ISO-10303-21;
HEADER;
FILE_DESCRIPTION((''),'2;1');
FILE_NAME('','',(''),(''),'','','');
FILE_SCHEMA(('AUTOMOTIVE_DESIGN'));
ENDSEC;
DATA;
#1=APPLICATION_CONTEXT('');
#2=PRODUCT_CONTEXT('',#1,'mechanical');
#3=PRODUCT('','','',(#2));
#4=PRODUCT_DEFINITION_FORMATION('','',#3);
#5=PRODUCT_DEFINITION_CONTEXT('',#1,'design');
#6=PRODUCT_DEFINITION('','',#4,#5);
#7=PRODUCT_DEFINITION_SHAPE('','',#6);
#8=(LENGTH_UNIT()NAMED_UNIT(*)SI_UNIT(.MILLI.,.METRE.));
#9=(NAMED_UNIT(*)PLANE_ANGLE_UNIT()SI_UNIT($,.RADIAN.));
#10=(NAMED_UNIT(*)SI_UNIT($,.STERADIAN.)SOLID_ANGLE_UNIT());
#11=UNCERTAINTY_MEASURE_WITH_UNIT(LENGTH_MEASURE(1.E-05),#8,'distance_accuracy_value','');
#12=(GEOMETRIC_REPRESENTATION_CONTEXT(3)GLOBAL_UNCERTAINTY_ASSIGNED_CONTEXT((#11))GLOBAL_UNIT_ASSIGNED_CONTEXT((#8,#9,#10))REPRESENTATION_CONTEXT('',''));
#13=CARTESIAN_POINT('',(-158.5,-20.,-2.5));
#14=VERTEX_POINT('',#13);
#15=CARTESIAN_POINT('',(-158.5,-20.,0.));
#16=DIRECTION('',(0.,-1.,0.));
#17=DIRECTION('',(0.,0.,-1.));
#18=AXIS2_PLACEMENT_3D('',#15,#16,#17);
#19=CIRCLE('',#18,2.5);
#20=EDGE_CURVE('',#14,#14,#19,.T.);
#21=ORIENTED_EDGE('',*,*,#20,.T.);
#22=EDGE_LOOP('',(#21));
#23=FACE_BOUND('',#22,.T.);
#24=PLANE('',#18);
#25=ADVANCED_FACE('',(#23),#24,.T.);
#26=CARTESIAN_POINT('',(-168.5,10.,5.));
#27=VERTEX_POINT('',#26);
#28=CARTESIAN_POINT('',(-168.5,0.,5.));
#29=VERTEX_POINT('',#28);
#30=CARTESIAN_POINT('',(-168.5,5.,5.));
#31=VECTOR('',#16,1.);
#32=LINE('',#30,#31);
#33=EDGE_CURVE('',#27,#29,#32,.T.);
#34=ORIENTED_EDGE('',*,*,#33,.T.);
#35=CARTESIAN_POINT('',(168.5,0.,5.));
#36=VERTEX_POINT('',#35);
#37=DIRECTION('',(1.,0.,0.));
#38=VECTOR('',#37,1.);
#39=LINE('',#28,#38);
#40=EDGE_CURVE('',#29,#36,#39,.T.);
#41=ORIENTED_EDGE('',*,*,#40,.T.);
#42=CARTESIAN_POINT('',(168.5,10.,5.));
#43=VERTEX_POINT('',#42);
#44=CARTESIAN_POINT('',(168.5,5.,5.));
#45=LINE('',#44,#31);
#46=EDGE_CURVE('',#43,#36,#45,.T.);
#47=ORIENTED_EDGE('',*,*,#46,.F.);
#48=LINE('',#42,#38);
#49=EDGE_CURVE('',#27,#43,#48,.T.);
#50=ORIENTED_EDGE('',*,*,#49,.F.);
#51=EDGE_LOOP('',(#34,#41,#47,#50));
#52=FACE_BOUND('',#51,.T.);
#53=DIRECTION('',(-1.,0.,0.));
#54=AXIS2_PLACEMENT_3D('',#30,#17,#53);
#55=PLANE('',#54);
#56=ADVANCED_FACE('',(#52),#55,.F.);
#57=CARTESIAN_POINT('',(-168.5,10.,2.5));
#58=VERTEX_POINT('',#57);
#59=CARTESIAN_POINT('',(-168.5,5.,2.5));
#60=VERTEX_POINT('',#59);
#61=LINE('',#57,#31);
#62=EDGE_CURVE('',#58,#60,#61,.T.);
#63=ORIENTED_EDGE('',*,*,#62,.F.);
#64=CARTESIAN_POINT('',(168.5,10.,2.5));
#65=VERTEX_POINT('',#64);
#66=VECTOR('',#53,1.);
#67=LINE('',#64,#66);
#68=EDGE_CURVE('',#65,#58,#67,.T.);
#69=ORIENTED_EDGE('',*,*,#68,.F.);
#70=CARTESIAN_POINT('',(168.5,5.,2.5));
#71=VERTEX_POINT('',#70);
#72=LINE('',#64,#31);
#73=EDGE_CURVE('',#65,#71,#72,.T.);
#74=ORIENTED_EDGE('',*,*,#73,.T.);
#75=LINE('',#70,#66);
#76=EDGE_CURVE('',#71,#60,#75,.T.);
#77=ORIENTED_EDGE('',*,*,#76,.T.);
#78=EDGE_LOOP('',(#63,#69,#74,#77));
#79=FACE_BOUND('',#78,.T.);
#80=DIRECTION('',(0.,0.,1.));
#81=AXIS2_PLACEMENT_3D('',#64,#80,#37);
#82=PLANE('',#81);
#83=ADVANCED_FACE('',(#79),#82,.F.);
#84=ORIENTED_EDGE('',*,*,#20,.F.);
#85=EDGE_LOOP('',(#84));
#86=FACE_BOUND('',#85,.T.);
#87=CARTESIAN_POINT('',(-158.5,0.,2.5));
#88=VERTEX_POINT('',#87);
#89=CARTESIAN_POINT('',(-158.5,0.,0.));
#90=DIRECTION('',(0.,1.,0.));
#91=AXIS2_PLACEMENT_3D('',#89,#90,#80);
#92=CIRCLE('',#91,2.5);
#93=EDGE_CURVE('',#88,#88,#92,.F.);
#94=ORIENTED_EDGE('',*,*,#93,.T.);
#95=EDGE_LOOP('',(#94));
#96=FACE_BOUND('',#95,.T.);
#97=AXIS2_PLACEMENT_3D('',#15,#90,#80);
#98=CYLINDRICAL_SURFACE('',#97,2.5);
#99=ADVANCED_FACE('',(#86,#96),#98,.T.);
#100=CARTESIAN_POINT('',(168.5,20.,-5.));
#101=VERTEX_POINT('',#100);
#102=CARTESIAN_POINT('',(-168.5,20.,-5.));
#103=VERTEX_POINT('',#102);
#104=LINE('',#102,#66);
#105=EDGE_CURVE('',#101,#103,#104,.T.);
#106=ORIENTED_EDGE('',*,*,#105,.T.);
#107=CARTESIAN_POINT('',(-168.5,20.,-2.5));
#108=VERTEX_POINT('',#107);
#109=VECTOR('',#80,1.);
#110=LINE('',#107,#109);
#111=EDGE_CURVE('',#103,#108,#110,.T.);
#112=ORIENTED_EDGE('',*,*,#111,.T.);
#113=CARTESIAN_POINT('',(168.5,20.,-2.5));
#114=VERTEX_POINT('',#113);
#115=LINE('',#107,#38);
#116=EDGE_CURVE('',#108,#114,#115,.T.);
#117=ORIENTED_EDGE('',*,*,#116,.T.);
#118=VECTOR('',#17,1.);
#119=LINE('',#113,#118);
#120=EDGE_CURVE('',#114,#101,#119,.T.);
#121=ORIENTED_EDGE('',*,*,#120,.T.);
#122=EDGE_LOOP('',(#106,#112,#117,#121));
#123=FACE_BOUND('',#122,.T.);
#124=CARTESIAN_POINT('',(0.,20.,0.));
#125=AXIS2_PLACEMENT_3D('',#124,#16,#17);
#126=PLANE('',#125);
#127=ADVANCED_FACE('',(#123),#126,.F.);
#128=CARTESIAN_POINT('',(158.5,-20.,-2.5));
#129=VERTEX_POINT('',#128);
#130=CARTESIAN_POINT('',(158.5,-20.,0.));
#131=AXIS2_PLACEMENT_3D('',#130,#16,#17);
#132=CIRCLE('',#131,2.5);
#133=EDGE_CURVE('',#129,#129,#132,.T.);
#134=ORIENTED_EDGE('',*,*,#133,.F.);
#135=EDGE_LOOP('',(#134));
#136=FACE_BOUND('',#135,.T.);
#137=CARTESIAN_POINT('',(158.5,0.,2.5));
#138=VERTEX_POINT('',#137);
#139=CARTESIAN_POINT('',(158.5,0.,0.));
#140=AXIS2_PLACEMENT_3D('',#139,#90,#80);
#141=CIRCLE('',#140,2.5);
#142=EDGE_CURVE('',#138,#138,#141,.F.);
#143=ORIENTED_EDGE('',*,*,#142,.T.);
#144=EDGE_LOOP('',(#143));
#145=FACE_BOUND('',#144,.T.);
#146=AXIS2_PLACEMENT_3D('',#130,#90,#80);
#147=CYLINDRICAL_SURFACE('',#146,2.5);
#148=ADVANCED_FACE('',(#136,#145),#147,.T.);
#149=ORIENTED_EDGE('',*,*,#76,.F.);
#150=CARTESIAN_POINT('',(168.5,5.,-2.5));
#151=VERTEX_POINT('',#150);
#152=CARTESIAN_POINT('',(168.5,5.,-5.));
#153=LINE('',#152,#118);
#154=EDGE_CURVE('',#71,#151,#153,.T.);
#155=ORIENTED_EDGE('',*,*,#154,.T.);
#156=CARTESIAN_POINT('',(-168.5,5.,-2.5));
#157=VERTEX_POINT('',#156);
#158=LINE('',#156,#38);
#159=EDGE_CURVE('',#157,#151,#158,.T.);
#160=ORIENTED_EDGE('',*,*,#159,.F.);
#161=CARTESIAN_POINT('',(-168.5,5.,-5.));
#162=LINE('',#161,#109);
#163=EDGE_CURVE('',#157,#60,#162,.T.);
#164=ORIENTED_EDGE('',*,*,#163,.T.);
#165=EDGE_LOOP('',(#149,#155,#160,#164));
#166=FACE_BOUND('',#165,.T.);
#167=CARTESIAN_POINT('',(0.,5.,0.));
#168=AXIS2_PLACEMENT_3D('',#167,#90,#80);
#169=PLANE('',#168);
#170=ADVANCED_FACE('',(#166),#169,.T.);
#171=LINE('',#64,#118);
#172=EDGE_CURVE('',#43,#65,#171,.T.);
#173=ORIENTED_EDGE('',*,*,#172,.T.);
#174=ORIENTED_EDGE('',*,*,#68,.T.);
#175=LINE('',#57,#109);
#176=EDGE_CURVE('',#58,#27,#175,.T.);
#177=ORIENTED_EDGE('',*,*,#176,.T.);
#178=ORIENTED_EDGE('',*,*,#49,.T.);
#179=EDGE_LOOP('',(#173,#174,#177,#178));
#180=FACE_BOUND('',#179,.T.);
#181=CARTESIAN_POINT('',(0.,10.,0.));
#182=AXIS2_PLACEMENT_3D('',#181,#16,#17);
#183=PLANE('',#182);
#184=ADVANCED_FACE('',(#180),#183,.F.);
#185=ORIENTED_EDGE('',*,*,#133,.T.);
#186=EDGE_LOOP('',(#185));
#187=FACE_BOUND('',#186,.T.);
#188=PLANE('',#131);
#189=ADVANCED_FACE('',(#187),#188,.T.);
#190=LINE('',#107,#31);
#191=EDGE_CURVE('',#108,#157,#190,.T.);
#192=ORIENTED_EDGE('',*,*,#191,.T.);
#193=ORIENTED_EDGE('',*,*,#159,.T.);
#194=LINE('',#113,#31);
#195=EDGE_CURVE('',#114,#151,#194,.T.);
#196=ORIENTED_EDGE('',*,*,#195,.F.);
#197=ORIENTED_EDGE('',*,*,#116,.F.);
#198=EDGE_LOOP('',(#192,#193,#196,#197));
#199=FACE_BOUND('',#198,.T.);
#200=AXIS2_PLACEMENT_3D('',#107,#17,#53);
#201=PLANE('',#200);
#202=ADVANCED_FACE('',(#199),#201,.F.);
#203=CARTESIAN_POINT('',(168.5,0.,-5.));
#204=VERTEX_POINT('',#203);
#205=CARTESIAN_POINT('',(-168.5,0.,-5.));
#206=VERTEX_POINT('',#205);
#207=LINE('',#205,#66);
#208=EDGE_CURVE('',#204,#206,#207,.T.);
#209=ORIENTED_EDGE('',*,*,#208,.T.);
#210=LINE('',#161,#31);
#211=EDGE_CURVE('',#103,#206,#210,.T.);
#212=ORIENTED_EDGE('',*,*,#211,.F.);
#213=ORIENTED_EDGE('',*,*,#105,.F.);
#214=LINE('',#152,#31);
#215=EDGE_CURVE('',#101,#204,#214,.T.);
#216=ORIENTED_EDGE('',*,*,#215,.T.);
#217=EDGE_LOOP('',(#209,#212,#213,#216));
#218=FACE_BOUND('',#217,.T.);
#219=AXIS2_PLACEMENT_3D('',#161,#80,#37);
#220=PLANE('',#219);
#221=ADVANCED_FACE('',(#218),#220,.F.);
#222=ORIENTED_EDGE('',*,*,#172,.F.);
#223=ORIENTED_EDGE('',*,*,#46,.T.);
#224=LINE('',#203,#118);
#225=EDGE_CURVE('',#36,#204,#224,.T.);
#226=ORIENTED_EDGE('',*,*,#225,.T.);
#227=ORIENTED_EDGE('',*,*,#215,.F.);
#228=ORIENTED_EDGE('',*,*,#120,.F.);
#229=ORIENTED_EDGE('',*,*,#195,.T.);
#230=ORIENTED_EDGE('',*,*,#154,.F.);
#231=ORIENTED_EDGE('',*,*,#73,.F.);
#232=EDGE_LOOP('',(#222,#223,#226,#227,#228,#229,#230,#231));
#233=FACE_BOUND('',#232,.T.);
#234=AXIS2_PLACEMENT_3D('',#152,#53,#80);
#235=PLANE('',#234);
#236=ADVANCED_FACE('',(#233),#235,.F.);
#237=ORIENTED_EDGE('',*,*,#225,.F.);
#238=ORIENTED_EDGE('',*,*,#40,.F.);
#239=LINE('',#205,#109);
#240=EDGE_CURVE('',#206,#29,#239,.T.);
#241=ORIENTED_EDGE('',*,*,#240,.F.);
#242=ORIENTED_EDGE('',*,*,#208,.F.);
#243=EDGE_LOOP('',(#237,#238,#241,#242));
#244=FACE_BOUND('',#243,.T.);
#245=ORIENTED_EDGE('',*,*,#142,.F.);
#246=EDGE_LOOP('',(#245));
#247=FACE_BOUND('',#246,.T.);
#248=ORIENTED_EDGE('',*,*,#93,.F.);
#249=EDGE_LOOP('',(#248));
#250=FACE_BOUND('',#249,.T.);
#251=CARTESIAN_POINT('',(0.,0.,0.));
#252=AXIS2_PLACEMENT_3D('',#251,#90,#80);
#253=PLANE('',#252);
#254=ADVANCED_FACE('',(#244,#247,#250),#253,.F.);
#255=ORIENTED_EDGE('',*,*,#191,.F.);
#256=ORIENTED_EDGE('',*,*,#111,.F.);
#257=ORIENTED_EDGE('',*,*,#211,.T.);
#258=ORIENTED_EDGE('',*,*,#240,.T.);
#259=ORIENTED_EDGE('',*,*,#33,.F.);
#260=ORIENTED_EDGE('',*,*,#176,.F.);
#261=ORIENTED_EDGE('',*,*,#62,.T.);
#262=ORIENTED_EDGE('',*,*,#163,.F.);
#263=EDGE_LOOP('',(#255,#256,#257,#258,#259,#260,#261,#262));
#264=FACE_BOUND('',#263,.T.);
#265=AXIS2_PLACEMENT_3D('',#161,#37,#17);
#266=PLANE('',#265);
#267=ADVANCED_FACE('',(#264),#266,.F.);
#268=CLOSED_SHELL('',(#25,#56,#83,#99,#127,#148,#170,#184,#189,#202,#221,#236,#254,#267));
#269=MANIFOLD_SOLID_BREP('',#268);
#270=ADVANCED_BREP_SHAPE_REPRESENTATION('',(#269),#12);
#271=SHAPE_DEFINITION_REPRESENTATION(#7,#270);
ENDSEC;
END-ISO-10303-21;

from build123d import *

# Parameters (mm, degrees)
SKETCH1_W           = 337
SKETCH1_H           = 10
BOSS_EXTRUDE1_DEPTH = 5
SKETCH2_W           = 337
SKETCH2_H           = 2.5
BOSS_EXTRUDE2_DEPTH = 5
SKETCH3_W           = 337
SKETCH3_H           = 2.5
BOSS_EXTRUDE3_DEPTH = 15
SKETCH4_R           = 2.5
BOSS_EXTRUDE4_DEPTH = 20


with BuildPart() as part:
    # Sketch1 → Boss-Extrude1 (new body)
    with BuildSketch(Plane(origin=(0, 0, 0), x_dir=(1, 0, 0), z_dir=(0, 1, 0))):
        Rectangle(SKETCH1_W, SKETCH1_H)
    extrude(amount=BOSS_EXTRUDE1_DEPTH)

    # Sketch2 → Boss-Extrude2 (add)
    with BuildSketch(Plane(origin=(0, 5, 0), x_dir=(1, 0, 0), z_dir=(0, 1, 0))):
        with Locations((0, -3.75)):
            Rectangle(SKETCH2_W, SKETCH2_H)
    extrude(amount=BOSS_EXTRUDE2_DEPTH)

    # Sketch3 → Boss-Extrude3 (add)
    with BuildSketch(Plane(origin=(0, 5, 0), x_dir=(1, 0, 0), z_dir=(0, 1, 0))):
        with Locations((0, 3.75)):
            Rectangle(SKETCH3_W, SKETCH3_H)
    extrude(amount=BOSS_EXTRUDE3_DEPTH)

    # Sketch4 → Boss-Extrude4 (add)
    with BuildSketch(Plane.XZ):
        with Locations((-158.5, 0)):
            Circle(SKETCH4_R)
        with Locations((158.5, 0)):
            Circle(SKETCH4_R)
    extrude(amount=BOSS_EXTRUDE4_DEPTH)


solid = part.part
